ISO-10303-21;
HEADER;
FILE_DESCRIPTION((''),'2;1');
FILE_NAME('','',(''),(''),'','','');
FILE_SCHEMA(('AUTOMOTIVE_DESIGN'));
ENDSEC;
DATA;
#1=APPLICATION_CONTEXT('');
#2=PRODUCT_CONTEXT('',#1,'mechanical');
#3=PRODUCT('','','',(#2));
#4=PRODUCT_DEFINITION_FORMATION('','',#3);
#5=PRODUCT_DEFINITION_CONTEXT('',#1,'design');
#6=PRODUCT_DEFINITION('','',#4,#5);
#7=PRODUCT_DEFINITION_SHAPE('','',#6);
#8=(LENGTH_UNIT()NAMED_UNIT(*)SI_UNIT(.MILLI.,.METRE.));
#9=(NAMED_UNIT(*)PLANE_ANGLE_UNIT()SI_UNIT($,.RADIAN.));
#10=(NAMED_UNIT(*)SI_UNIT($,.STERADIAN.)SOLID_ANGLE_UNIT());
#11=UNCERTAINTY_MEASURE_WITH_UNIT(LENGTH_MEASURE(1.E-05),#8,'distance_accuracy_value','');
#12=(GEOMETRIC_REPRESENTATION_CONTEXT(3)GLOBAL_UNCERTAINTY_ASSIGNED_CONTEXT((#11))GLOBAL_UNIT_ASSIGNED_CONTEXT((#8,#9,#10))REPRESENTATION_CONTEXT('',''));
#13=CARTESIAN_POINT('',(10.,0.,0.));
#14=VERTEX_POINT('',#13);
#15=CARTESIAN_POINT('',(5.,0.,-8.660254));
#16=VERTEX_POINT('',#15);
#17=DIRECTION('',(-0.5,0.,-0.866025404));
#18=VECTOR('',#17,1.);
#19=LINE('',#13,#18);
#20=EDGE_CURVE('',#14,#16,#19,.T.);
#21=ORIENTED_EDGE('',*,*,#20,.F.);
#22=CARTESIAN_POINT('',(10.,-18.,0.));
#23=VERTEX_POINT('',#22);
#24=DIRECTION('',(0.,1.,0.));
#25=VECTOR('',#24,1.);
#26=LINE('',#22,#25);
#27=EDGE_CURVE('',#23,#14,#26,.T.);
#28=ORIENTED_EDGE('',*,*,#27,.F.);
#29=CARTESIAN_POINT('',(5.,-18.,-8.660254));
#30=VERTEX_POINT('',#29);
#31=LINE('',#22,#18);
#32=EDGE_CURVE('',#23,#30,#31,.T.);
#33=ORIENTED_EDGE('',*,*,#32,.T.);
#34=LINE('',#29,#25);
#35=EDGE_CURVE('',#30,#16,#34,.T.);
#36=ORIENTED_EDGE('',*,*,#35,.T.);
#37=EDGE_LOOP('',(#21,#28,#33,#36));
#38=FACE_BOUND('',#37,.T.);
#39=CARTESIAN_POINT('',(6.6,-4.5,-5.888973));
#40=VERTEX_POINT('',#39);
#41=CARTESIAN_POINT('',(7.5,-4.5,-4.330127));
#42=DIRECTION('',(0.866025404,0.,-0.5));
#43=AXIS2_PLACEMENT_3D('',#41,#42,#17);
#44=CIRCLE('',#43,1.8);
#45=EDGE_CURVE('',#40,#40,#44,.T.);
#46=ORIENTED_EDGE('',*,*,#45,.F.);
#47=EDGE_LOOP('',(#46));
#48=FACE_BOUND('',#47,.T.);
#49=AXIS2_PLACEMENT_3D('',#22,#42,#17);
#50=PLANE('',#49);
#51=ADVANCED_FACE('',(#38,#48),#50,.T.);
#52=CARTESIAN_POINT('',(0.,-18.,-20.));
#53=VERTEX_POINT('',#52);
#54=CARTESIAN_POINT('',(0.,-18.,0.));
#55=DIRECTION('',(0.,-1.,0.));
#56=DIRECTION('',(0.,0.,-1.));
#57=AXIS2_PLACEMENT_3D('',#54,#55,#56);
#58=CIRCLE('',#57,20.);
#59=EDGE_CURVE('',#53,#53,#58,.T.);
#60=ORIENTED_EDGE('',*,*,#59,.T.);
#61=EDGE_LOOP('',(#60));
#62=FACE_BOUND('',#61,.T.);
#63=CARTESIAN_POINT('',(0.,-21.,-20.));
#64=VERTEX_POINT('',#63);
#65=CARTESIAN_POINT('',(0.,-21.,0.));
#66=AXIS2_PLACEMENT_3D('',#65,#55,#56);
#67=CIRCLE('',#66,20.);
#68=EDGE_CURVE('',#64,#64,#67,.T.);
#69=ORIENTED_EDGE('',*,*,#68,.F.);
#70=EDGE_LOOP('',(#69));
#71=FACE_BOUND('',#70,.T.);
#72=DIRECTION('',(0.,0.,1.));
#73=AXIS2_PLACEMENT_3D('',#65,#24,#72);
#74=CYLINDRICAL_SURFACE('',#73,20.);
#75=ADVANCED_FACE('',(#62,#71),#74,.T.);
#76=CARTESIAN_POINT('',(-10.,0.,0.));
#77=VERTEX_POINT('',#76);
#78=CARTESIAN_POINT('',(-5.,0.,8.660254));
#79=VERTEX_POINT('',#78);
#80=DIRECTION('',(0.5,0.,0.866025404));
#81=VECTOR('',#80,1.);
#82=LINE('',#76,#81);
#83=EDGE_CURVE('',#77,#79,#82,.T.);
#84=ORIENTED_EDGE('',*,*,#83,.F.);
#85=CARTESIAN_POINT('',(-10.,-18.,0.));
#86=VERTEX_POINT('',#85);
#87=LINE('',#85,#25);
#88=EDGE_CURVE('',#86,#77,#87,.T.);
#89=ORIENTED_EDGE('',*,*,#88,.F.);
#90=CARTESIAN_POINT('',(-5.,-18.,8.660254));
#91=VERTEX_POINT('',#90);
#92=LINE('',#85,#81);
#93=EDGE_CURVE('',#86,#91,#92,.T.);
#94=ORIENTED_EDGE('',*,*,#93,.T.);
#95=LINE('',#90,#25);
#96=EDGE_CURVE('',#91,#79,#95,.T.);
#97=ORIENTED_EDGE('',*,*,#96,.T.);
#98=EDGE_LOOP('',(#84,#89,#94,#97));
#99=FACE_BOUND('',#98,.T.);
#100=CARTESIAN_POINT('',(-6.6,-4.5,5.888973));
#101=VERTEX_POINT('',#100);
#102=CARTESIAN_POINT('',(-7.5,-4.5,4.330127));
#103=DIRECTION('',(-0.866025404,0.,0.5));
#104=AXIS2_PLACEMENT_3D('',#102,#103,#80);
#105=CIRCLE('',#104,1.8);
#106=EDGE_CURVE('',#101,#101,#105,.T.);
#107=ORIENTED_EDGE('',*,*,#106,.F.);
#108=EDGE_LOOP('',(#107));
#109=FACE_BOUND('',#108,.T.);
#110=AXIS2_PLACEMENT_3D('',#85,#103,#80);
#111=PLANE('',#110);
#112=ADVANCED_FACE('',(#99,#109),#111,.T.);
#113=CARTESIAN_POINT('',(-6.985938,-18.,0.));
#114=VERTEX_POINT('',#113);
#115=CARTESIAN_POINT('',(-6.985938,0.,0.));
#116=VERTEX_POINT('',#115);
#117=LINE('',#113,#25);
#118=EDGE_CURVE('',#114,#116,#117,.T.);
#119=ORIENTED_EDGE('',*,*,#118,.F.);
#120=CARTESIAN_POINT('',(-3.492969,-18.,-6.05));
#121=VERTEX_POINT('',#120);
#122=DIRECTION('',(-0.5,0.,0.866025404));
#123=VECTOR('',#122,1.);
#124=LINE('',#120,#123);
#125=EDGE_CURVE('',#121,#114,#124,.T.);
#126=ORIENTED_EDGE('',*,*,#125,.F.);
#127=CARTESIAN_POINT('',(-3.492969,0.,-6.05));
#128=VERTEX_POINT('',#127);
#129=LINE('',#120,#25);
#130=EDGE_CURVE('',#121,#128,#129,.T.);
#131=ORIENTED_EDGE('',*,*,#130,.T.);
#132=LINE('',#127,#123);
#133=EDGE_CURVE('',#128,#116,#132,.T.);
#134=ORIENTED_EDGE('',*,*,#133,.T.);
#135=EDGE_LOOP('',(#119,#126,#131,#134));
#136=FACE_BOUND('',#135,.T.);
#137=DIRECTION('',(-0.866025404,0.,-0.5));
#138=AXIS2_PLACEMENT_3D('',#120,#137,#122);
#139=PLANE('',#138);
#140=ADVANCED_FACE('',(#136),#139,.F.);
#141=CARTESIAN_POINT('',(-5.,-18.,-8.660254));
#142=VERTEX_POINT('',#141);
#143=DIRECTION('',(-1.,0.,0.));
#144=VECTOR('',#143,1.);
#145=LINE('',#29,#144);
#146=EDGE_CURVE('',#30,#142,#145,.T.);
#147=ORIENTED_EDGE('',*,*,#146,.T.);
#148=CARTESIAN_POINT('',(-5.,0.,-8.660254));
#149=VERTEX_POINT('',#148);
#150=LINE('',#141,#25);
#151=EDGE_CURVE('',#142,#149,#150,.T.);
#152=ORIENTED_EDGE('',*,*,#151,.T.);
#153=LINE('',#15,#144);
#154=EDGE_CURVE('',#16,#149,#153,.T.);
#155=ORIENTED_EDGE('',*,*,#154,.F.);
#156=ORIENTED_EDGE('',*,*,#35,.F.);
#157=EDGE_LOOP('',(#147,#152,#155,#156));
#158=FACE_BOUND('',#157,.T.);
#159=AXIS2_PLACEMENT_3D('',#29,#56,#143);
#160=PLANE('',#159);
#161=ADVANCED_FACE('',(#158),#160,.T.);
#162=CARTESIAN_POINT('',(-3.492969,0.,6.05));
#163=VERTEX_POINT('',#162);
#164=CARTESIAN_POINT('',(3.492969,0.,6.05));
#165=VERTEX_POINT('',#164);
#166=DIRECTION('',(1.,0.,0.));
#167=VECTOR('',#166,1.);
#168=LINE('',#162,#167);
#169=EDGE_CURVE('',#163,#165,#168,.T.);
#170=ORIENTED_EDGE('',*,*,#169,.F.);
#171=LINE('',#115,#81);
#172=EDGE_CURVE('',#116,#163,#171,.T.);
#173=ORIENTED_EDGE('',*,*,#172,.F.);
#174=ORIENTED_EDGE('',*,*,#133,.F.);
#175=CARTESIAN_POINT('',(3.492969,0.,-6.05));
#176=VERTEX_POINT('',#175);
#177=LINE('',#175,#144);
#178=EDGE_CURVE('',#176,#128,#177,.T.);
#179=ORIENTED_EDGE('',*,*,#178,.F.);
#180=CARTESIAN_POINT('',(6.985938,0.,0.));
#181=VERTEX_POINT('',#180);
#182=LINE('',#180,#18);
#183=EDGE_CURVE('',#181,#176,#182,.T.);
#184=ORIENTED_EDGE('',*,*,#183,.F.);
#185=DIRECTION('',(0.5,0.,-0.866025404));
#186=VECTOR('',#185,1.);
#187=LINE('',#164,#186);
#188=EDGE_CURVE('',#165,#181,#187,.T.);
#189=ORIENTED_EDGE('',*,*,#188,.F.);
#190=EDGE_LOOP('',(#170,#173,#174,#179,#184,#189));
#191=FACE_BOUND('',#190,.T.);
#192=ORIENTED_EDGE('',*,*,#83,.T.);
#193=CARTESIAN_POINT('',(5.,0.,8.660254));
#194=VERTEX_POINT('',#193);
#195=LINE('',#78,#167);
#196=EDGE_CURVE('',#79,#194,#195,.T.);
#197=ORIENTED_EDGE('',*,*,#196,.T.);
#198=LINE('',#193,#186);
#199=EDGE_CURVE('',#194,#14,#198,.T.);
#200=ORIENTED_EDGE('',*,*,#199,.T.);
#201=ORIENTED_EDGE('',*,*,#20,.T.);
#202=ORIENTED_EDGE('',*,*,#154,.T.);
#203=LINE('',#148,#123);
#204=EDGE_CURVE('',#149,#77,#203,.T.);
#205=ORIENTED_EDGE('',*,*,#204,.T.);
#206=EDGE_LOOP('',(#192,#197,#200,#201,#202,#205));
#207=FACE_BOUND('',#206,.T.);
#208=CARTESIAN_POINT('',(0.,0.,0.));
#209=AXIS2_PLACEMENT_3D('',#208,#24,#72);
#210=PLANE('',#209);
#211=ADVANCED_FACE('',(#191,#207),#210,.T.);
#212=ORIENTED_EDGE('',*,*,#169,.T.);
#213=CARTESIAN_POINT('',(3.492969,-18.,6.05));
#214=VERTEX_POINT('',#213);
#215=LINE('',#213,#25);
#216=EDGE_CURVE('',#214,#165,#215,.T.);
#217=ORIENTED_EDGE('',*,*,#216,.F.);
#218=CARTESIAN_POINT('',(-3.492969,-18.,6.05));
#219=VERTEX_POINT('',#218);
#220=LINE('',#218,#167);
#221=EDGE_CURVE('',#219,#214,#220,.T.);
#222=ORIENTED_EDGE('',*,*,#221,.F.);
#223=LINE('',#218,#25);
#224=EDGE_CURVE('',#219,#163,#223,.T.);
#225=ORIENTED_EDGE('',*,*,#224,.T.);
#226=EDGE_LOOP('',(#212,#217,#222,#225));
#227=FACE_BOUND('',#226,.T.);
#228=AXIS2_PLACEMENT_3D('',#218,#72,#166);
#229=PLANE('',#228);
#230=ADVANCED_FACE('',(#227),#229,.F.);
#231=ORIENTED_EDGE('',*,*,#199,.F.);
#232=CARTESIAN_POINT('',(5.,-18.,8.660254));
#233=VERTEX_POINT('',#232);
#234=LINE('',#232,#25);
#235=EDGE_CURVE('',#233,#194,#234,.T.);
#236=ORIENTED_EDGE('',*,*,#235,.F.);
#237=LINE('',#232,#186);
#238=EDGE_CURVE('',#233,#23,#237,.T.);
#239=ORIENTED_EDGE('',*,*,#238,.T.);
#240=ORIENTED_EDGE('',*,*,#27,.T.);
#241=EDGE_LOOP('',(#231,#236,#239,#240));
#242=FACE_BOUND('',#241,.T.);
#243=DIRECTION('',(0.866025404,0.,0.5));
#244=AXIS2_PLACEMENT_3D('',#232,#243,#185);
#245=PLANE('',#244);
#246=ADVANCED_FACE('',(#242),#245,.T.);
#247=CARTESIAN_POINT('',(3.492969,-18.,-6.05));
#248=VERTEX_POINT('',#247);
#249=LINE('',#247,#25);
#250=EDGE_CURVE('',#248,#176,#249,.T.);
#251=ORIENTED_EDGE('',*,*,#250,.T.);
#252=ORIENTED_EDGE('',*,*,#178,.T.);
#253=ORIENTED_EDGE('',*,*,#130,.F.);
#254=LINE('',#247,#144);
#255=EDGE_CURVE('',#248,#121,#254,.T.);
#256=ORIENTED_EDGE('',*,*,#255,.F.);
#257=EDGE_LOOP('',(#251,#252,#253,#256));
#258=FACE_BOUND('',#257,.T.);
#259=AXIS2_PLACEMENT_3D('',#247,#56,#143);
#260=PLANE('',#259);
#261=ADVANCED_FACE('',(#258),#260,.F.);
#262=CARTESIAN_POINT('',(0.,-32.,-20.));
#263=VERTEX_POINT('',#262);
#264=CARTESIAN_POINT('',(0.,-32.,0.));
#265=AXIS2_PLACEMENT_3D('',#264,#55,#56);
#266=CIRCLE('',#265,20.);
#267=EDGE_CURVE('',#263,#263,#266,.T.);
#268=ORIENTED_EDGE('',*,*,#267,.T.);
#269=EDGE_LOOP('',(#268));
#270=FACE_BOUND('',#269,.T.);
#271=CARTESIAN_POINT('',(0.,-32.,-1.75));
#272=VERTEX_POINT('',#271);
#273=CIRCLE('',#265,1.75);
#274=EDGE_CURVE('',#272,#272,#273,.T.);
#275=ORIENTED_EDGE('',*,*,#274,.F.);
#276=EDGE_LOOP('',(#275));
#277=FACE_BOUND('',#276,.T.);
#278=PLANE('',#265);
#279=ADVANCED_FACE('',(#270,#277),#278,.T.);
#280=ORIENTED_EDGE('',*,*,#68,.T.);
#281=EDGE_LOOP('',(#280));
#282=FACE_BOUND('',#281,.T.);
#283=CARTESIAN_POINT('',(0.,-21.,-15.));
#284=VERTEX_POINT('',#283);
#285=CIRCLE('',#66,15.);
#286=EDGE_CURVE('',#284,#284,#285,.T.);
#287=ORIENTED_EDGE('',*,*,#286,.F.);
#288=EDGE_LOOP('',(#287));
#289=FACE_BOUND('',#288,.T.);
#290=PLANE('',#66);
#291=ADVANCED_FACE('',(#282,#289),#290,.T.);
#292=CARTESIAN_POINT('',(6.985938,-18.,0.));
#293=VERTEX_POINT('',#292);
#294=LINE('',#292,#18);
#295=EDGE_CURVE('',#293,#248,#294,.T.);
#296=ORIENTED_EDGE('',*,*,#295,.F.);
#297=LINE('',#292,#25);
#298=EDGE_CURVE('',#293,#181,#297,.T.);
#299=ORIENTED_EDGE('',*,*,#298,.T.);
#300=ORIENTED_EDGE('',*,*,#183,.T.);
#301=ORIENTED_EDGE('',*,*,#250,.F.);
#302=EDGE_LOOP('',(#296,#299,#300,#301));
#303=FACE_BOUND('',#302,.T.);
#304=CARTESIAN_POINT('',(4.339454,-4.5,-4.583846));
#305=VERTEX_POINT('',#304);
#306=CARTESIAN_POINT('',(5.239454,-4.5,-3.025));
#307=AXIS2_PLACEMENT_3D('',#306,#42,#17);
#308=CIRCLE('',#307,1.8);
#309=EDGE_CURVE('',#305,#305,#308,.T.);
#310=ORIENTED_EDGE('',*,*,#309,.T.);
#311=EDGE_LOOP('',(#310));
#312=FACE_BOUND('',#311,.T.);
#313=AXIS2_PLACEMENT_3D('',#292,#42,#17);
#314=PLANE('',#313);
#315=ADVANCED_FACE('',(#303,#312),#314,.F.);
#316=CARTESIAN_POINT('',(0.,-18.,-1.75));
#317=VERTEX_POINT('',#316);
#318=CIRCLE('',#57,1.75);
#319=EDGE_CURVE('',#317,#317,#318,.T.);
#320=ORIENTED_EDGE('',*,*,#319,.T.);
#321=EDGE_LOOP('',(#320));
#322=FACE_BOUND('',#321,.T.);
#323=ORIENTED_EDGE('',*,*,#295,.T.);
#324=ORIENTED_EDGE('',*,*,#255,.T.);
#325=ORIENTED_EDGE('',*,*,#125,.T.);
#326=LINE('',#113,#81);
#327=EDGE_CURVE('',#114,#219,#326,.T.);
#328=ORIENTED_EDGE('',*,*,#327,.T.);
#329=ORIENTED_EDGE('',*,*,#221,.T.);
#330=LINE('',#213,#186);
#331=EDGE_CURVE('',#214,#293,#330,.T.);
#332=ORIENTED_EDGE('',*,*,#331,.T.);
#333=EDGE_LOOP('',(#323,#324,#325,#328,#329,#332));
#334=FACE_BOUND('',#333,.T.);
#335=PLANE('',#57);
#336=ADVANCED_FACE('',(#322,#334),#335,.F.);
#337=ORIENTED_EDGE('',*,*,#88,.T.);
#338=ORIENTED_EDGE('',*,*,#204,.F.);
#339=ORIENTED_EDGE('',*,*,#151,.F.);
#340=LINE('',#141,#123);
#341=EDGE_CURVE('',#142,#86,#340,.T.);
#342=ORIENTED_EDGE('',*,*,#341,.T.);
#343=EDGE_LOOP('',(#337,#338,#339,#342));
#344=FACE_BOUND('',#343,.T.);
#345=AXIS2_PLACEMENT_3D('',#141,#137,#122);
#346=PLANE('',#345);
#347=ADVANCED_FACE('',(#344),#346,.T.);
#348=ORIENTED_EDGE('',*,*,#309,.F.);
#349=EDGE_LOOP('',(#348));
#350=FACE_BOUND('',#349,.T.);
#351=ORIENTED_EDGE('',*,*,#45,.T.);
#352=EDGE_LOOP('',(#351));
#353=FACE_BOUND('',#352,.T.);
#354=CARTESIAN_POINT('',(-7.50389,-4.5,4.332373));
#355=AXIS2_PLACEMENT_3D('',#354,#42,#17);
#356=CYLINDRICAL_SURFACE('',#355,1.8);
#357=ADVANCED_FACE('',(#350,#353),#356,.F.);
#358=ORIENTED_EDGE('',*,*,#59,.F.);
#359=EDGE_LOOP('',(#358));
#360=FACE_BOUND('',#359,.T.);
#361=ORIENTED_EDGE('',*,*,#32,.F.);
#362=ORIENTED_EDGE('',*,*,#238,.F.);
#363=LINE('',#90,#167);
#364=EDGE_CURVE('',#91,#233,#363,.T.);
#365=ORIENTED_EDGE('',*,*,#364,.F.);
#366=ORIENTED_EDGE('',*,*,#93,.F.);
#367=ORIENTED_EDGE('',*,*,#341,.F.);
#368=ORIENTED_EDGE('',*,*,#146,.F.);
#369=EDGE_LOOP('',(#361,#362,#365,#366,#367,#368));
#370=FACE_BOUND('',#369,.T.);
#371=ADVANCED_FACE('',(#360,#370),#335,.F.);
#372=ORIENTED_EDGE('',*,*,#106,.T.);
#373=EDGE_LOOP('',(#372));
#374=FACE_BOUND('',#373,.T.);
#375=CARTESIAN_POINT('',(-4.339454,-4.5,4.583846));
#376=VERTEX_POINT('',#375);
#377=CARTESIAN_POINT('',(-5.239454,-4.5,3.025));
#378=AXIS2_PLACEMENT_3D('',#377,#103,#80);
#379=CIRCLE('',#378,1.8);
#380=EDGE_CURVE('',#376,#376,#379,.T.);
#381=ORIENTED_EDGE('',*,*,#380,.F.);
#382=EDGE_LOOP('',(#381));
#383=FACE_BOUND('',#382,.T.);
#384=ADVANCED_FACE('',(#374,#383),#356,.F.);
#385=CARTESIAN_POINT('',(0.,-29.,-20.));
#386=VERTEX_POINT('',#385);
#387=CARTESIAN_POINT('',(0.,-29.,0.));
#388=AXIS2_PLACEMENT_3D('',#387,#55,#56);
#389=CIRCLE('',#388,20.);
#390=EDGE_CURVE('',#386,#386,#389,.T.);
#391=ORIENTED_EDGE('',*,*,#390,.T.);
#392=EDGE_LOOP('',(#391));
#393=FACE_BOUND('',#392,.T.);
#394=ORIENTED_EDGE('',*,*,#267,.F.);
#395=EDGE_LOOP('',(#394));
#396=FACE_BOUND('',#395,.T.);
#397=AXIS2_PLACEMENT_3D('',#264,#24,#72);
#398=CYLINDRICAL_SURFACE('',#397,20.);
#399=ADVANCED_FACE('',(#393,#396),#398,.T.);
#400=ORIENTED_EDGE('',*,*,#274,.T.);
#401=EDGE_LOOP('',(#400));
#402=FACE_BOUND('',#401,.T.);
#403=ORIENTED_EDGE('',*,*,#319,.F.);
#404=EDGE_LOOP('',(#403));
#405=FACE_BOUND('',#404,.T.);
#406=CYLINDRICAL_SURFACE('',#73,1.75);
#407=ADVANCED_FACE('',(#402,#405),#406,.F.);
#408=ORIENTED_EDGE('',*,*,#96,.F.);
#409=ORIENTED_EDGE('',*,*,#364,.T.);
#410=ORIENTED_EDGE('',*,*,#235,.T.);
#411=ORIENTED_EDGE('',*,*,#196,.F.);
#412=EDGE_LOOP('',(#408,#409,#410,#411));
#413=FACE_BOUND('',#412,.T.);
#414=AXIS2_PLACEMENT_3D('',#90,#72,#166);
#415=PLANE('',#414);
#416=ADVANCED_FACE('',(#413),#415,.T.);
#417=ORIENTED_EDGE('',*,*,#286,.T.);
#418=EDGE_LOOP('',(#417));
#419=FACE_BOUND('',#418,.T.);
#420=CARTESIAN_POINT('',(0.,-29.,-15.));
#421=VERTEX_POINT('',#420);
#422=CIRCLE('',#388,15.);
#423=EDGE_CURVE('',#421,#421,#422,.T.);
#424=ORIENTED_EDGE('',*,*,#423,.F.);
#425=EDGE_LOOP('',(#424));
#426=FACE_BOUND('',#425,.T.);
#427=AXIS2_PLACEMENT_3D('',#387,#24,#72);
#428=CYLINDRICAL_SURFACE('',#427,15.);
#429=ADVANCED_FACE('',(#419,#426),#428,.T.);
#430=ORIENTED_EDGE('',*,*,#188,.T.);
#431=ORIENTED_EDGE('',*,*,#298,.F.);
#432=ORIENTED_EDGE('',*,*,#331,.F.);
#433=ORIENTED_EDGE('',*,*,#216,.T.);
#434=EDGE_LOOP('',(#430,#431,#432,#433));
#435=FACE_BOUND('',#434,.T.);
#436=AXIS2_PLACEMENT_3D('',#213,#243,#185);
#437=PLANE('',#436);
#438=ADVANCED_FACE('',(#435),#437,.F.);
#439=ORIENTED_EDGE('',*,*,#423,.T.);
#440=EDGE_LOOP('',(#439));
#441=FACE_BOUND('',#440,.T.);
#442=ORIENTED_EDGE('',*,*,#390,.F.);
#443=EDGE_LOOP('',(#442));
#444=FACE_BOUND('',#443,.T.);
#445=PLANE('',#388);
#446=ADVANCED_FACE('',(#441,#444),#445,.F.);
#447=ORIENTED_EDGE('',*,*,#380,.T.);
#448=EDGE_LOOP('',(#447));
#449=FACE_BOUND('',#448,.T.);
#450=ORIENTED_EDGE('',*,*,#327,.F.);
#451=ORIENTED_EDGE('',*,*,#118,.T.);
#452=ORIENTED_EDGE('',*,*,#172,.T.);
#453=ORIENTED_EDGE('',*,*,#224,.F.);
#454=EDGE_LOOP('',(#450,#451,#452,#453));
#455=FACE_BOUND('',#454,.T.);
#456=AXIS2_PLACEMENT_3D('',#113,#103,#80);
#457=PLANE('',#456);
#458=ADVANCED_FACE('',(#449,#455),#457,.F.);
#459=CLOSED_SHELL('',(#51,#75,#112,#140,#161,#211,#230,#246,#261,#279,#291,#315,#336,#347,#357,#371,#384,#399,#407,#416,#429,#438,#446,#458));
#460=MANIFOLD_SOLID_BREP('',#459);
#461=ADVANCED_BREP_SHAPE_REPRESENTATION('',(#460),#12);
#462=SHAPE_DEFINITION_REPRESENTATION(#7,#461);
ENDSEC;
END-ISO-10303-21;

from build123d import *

# Parameters (mm, degrees)
EXTRUDE_3_DEPTH     = 18
SKETCH_2_R          = 1.8
CUT_EXTRUDE_1_DEPTH = 17.325
SKETCH_4_R          = 20
SKETCH_4_R_2        = 1.75
EXTRUDE_4_DEPTH     = 3
SKETCH_5_R          = 15
SKETCH_5_R_2        = 1.75
EXTRUDE_5_DEPTH     = 8
SKETCH_6_R          = 20
SKETCH_6_R_2        = 1.75
EXTRUDE_6_DEPTH     = 3


with BuildPart() as part:
    # 草图1 → 凸台-拉伸3 (new body)
    with BuildSketch(Plane(origin=(0, 0, 0), x_dir=(1, 0, 0), z_dir=(0, 1, 0))):
        Polygon((10, 0), (5, 8.660254038), (-5, 8.660254038), (-10, 0), (-5, -8.660254038), (5, -8.660254038), align=None)
        Polygon((6.985938257, 0), (3.492969129, 6.05), (-3.492969129, 6.05), (-6.985938257, 0), (-3.492969129, -6.05), (3.492969129, -6.05), align=None, mode=Mode.SUBTRACT)
    extrude(amount=-EXTRUDE_3_DEPTH)

    # 草图2 → 切除-拉伸1 (cut)
    with BuildSketch(Plane(origin=(7.5, 0, -4.330127019), x_dir=(-0.5000000000000003, 0, -0.8660254037844386), z_dir=(0.8660254037844386, 0, -0.5000000000000003))):
        with Locations((0, -4.5)):
            Circle(SKETCH_2_R)
    extrude(amount=-CUT_EXTRUDE_1_DEPTH, mode=Mode.SUBTRACT)

    # 草图4 → 凸台-拉伸4 (add)
    with BuildSketch(Plane.XZ.offset(18)):
        with Locations(Location((0, 0, 0), (0, 0, 270))):
            Circle(SKETCH_4_R)
        with Locations(Location((0, 0, 0), (0, 0, 270))):
            Circle(SKETCH_4_R_2, mode=Mode.SUBTRACT)
    extrude(amount=EXTRUDE_4_DEPTH)

    # 草图5 → 凸台-拉伸5 (add)
    with BuildSketch(Plane.XZ.offset(21)):
        with Locations(Location((0, 0, 0), (0, 0, 270))):
            Circle(SKETCH_5_R)
        with Locations(Location((0, 0, 0), (0, 0, 270))):
            Circle(SKETCH_5_R_2, mode=Mode.SUBTRACT)
    extrude(amount=EXTRUDE_5_DEPTH)

    # 草图6 → 凸台-拉伸6 (add)
    with BuildSketch(Plane.XZ.offset(29)):
        with Locations(Location((0, 0, 0), (0, 0, 270))):
            Circle(SKETCH_6_R)
        with Locations(Location((0, 0, 0), (0, 0, 270))):
            Circle(SKETCH_6_R_2, mode=Mode.SUBTRACT)
    extrude(amount=EXTRUDE_6_DEPTH)


solid = part.part
